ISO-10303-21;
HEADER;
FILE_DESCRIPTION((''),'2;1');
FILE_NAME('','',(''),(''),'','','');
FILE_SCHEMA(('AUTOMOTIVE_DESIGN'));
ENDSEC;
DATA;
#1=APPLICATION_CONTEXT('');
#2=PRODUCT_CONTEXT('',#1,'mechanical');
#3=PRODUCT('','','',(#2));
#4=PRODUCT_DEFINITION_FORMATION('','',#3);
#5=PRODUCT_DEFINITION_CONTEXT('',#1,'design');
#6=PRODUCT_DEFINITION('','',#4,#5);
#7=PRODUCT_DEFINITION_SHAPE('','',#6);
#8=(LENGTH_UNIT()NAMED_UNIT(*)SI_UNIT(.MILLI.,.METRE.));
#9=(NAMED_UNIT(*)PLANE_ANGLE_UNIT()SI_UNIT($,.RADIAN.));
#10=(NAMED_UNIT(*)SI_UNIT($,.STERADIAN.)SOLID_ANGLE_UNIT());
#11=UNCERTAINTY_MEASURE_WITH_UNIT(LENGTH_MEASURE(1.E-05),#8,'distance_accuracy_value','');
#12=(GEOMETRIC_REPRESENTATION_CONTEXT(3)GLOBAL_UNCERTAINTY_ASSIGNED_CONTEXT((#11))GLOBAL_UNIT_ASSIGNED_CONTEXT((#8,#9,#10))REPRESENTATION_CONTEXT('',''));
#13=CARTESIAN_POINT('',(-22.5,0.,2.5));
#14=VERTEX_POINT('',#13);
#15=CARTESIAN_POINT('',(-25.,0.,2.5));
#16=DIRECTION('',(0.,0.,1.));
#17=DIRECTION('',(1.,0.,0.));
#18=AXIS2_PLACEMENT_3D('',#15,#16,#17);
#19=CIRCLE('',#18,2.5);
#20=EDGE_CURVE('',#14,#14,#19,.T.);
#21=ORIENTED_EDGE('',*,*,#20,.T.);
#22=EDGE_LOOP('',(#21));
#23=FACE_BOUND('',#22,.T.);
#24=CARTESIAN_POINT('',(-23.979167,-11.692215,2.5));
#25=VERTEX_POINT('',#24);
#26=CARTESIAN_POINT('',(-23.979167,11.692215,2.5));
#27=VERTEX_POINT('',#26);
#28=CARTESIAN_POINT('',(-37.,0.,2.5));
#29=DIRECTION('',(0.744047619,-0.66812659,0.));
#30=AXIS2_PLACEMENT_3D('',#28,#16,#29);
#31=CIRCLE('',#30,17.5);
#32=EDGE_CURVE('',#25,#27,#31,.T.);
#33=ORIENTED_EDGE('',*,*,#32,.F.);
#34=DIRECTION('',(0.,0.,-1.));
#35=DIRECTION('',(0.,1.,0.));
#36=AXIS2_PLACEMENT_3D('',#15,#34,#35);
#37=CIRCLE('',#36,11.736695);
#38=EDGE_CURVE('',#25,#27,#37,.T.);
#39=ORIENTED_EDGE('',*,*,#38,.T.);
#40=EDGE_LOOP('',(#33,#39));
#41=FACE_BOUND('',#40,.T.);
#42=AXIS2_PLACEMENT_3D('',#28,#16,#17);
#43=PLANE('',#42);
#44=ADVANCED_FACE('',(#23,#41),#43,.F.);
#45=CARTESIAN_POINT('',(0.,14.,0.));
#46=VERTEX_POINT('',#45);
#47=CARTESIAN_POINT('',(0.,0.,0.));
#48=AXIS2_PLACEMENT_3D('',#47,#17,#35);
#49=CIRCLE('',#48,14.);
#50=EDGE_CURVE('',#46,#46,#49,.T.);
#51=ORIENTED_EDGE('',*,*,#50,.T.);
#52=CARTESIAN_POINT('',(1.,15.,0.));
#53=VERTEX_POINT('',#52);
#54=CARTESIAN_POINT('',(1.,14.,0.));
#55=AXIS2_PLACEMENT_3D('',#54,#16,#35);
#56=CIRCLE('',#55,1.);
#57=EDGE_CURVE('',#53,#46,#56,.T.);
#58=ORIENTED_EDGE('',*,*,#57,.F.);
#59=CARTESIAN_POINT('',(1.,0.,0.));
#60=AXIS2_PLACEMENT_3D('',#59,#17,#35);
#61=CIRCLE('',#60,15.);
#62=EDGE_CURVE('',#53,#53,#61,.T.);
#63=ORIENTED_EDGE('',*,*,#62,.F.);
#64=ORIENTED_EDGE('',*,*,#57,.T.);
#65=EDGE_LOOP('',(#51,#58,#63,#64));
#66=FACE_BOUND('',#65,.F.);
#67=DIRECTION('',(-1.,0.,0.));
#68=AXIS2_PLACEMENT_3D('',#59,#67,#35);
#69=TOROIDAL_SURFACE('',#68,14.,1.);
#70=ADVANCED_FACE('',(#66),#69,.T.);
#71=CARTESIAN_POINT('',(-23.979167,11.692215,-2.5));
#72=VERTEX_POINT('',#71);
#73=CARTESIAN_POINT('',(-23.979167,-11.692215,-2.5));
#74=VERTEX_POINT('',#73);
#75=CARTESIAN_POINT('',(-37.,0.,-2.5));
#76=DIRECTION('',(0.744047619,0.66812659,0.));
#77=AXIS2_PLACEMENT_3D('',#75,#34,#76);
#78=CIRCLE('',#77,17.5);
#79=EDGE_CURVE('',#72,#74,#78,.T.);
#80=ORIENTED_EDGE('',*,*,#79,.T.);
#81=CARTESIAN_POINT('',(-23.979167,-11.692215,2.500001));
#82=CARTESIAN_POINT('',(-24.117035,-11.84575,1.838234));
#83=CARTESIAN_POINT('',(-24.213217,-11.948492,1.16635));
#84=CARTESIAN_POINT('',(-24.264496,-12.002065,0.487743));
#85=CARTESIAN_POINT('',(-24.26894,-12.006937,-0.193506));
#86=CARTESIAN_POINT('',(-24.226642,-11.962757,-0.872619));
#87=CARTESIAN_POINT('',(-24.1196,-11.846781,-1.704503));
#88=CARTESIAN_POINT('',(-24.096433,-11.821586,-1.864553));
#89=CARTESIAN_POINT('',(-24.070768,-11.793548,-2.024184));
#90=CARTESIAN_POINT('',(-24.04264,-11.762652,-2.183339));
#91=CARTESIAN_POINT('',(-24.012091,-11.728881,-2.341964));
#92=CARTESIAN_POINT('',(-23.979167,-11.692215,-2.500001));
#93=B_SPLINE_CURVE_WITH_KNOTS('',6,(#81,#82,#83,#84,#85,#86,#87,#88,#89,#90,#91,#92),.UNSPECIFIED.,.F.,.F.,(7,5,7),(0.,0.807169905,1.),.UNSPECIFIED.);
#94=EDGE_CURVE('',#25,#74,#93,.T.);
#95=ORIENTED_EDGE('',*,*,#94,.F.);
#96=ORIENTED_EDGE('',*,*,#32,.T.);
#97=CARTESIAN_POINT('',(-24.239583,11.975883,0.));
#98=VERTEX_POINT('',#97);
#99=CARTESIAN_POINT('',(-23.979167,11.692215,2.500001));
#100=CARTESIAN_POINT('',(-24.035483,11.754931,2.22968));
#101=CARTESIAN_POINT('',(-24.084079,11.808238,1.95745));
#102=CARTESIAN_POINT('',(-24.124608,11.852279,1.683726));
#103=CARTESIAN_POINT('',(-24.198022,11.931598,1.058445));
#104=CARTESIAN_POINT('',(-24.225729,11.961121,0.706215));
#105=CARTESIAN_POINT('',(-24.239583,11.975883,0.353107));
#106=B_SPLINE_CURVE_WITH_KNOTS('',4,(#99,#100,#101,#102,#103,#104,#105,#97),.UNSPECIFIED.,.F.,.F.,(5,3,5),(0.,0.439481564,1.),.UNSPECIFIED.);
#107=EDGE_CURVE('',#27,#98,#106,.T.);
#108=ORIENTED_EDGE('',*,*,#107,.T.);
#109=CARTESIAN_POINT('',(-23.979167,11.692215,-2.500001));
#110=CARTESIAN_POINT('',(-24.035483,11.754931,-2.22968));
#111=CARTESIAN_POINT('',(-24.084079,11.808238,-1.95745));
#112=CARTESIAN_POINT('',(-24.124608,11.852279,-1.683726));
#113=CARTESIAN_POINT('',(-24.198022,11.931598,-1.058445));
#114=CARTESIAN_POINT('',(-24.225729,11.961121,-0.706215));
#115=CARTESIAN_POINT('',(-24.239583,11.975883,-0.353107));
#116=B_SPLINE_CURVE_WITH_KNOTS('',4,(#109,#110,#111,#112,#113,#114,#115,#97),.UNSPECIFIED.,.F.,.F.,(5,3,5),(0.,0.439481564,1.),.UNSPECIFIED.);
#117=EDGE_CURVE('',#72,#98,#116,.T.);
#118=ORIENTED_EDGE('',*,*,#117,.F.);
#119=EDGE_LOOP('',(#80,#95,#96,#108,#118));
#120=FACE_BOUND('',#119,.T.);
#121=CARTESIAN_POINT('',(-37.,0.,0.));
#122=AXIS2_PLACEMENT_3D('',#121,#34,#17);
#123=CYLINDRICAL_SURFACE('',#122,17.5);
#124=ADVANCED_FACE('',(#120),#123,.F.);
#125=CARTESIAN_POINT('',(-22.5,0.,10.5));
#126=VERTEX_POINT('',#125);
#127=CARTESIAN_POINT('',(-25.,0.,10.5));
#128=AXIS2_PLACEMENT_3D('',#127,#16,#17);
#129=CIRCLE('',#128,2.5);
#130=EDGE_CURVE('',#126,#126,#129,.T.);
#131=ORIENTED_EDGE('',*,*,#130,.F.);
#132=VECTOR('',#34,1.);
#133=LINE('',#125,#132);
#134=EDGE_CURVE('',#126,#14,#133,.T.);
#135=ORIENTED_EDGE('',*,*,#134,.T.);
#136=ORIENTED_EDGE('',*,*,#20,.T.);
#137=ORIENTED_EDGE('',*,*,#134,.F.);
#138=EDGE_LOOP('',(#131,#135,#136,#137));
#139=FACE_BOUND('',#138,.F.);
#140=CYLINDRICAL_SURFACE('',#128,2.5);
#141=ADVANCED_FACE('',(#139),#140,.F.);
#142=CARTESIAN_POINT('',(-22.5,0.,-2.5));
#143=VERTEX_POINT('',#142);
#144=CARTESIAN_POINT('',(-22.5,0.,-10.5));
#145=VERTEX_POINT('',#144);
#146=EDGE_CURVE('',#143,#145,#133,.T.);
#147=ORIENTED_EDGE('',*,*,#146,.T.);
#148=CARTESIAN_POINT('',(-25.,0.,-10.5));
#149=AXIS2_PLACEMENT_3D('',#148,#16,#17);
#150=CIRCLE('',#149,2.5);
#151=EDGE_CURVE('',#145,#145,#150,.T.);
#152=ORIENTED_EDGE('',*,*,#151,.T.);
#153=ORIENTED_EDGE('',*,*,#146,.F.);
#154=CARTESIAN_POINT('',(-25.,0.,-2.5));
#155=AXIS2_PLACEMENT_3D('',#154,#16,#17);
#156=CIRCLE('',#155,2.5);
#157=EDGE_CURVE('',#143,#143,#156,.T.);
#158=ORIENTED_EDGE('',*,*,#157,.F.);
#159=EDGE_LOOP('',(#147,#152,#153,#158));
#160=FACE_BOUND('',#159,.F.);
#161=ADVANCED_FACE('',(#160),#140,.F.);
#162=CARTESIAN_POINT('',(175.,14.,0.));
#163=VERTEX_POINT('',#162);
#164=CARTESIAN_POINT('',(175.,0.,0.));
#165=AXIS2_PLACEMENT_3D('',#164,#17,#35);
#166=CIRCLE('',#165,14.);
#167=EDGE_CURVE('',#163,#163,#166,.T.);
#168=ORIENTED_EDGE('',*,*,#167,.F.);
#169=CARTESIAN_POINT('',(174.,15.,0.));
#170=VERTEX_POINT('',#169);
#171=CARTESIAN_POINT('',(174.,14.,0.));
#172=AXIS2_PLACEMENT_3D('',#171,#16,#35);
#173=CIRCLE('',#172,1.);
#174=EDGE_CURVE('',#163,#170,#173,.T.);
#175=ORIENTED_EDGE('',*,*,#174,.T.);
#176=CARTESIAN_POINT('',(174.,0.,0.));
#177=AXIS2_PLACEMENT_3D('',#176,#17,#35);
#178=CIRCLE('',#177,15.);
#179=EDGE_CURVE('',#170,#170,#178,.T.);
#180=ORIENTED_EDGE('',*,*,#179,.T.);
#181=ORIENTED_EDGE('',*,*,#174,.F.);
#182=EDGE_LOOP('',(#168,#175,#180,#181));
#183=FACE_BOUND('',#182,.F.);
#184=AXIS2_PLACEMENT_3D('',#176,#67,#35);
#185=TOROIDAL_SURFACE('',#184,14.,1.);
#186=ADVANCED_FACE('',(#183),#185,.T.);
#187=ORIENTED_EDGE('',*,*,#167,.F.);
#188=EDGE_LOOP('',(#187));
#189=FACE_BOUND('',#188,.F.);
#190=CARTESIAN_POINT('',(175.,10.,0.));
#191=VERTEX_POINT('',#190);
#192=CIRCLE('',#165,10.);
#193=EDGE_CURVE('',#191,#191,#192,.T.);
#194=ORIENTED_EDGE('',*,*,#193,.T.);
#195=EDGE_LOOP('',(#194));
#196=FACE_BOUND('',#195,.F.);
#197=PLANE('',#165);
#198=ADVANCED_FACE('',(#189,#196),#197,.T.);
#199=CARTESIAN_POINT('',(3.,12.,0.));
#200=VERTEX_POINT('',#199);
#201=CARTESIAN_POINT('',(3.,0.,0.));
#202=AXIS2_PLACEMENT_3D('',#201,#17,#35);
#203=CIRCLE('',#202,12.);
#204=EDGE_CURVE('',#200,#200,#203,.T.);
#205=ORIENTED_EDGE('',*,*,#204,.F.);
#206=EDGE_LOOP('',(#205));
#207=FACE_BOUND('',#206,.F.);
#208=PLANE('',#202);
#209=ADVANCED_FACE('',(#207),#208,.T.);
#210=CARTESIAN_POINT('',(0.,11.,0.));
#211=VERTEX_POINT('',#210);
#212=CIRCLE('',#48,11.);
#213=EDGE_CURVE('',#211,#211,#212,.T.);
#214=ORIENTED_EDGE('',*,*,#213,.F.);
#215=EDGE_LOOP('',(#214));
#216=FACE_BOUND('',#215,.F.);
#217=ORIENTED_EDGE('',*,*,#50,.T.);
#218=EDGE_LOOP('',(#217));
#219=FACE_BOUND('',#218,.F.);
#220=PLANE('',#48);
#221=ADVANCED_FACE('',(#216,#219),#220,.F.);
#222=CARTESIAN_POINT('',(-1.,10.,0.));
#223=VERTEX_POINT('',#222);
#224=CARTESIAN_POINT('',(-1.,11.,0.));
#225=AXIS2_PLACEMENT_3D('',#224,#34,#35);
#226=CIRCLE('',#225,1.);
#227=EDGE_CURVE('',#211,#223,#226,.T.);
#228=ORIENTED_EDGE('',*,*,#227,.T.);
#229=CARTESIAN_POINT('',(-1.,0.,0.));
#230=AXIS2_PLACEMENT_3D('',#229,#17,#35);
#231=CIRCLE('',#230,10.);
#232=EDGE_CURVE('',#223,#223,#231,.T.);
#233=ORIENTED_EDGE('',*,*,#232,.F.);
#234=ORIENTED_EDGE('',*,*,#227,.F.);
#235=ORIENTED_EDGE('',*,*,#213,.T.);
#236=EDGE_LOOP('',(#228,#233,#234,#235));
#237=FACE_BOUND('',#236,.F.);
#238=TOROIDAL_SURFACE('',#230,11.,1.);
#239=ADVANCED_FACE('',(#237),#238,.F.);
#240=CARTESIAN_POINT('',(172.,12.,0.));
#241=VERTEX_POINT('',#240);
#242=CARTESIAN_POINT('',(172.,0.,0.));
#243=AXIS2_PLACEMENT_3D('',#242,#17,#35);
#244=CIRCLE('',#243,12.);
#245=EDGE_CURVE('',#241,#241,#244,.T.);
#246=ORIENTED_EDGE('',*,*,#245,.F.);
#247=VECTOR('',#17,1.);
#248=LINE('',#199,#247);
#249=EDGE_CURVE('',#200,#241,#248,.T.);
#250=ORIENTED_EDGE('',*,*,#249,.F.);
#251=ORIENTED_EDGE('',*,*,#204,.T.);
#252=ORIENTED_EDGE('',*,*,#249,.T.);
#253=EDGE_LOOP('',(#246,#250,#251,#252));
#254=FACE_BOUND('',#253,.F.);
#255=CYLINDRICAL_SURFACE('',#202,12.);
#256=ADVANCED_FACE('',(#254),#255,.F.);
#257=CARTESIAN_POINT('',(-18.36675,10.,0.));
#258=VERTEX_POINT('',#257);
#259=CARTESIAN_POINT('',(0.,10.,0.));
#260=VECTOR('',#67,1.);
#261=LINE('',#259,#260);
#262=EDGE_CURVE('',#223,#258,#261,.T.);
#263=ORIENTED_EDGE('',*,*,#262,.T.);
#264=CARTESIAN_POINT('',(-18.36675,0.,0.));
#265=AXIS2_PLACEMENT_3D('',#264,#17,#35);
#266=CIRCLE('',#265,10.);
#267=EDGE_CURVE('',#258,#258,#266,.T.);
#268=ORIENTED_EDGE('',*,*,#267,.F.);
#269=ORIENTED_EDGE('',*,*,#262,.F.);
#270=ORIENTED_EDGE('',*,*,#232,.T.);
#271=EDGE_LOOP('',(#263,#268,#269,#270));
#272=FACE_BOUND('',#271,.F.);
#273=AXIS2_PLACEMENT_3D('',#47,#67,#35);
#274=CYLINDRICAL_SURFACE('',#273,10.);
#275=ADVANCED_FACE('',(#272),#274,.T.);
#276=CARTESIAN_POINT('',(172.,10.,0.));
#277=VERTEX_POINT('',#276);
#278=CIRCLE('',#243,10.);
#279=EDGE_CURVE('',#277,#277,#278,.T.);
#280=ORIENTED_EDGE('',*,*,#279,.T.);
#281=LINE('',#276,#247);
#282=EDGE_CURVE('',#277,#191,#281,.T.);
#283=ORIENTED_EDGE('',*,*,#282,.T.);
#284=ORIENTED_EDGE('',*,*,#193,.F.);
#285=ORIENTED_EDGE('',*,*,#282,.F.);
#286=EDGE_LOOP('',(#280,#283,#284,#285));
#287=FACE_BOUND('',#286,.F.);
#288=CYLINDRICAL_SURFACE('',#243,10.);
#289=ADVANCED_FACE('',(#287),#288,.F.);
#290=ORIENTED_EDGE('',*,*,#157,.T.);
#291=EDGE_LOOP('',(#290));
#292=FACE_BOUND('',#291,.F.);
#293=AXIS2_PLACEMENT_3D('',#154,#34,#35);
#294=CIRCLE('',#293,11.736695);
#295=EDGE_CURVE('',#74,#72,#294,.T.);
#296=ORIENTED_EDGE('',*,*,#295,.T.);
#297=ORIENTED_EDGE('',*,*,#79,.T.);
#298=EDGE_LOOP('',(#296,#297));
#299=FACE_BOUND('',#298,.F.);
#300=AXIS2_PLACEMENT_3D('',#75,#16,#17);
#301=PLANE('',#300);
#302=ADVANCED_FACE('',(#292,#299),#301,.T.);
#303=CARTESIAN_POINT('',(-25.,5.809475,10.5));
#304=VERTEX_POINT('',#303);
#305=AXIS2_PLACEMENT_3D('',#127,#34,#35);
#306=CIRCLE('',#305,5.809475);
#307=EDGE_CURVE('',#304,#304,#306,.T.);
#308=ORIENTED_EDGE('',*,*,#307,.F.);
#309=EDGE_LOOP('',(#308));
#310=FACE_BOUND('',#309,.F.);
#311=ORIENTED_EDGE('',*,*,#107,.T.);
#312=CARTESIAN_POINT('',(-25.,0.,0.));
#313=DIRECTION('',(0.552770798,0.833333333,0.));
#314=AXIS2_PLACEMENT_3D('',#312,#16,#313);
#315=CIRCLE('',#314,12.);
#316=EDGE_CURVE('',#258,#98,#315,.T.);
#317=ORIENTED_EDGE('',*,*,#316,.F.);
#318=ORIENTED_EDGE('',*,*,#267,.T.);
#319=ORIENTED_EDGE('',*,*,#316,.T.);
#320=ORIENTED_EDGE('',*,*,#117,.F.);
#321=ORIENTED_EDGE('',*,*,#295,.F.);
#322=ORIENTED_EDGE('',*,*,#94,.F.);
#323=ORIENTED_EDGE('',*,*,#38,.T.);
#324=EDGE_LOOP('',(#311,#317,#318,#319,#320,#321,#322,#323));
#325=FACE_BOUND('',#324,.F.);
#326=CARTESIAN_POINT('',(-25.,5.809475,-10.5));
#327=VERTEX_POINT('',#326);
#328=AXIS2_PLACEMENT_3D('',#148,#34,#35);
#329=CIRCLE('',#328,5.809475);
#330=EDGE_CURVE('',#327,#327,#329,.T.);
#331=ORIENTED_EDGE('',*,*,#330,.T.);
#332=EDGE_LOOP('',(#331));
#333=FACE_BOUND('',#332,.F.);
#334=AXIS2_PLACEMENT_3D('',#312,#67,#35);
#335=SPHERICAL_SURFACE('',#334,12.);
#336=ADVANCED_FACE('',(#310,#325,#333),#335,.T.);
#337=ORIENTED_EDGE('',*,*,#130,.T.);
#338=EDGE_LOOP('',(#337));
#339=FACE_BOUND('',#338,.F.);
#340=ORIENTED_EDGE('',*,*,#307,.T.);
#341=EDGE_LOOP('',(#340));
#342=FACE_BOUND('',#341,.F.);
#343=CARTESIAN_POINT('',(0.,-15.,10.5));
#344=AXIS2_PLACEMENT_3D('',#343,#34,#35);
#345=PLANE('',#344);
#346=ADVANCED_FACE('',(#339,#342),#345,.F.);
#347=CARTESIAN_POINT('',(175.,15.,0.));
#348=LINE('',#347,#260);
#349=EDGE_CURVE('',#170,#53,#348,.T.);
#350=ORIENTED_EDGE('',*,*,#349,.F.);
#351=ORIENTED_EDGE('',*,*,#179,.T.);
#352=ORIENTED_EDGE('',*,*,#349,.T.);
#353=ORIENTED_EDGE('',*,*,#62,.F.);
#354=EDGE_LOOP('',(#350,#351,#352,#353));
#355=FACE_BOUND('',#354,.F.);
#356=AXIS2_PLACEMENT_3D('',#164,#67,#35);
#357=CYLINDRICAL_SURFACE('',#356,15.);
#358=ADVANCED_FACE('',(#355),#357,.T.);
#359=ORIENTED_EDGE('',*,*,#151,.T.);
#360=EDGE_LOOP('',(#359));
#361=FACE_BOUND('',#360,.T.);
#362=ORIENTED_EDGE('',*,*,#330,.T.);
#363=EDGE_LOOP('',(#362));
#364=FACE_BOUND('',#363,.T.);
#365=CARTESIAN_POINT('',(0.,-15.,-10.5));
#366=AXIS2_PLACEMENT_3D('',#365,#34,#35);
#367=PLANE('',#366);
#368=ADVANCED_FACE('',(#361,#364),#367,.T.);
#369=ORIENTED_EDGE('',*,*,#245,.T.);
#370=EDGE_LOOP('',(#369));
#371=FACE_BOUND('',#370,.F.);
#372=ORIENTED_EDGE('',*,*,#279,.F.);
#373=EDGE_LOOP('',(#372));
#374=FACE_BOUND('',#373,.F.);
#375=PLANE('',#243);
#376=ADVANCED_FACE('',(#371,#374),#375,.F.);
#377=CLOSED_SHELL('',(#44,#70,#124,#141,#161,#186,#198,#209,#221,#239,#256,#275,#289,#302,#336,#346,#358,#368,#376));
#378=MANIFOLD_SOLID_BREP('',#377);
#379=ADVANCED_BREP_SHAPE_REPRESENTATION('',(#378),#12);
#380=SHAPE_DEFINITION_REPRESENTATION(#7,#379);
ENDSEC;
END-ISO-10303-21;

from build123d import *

# Parameters (mm, degrees)
SKETCH6_OUTSIDE_W       = 75.24
SKETCH6_OUTSIDE_H       = 75.24
SKETCH6_OUTSIDE_W_2     = 21
SKETCH6_OUTSIDE_H_2     = 30
CUT_EXTRUDE3_DEPTH      = 40
SKETCH4_W               = 17.5
SKETCH4_H               = 5
FILLET1_R               = 1
SKETCH8_R               = 2.5
CUT_EXTRUDE4_DEPTH      = 5.5
CUT_EXTRUDE4_DEPTH_BACK = 26.5


with BuildPart() as part:
    # Sketch1 → Revolve1 (revolve)
    with BuildSketch(Plane.XY):
        with BuildLine():
            Line((172, 10), (175, 10))
            Line((175, 10), (175, 15))
            Line((175, 15), (0, 15))
            Line((0, 15), (0, 10))
            Line((0, 10), (-18.366750419, 10))
            ThreePointArc((-18.366750419, 10), (-30.674548662, 10.573528147), (-37, 0))
            Line((-37, 0), (0, 0))
            Line((0, 0), (3, 0))
            Line((3, 0), (3, 12))
            Line((3, 12), (172, 12))
            Line((172, 12), (172, 10))
        make_face()
    revolve(axis=Axis((0, 0, 0), (1, 0, 0)))

    # Sketch6 outside → Cut-Extrude3 (cut)
    with BuildSketch(Plane.ZY):
        Rectangle(SKETCH6_OUTSIDE_W, SKETCH6_OUTSIDE_H)
        Rectangle(SKETCH6_OUTSIDE_W_2, SKETCH6_OUTSIDE_H_2, mode=Mode.SUBTRACT)
    extrude(amount=CUT_EXTRUDE3_DEPTH, mode=Mode.SUBTRACT)

    # Sketch4 → Cut-Revolve1 (revolve, cut)
    with BuildSketch(Plane(origin=(0, 0, 0), x_dir=(1, 0, 0), z_dir=(0, 1, 0))):
        with Locations((-28.25, 0)):
            Rectangle(SKETCH4_W, SKETCH4_H)
    revolve(axis=Axis((-37, 0, -2.5), (0, 0, 1)), mode=Mode.SUBTRACT)

    # Fillet1
    fillet1_edges = [part.edges().sort_by_distance(p)[0] for p in [
        (175, -15, 0),
        (0, -15, 0),
        (0, -10, 0),
        (0, -15, 0),
    ]]
    fillet(fillet1_edges, radius=FILLET1_R)

    # Sketch8 → Cut-Extrude4 (cut, two sides)
    with BuildSketch(Plane.XY.offset(10.5)) as cut_extrude4_sk:
        with Locations((-25, 0)):
            Circle(SKETCH8_R)
    extrude(amount=CUT_EXTRUDE4_DEPTH, mode=Mode.SUBTRACT)
    extrude(cut_extrude4_sk.sketch, amount=-CUT_EXTRUDE4_DEPTH_BACK, mode=Mode.SUBTRACT)


solid = part.part
